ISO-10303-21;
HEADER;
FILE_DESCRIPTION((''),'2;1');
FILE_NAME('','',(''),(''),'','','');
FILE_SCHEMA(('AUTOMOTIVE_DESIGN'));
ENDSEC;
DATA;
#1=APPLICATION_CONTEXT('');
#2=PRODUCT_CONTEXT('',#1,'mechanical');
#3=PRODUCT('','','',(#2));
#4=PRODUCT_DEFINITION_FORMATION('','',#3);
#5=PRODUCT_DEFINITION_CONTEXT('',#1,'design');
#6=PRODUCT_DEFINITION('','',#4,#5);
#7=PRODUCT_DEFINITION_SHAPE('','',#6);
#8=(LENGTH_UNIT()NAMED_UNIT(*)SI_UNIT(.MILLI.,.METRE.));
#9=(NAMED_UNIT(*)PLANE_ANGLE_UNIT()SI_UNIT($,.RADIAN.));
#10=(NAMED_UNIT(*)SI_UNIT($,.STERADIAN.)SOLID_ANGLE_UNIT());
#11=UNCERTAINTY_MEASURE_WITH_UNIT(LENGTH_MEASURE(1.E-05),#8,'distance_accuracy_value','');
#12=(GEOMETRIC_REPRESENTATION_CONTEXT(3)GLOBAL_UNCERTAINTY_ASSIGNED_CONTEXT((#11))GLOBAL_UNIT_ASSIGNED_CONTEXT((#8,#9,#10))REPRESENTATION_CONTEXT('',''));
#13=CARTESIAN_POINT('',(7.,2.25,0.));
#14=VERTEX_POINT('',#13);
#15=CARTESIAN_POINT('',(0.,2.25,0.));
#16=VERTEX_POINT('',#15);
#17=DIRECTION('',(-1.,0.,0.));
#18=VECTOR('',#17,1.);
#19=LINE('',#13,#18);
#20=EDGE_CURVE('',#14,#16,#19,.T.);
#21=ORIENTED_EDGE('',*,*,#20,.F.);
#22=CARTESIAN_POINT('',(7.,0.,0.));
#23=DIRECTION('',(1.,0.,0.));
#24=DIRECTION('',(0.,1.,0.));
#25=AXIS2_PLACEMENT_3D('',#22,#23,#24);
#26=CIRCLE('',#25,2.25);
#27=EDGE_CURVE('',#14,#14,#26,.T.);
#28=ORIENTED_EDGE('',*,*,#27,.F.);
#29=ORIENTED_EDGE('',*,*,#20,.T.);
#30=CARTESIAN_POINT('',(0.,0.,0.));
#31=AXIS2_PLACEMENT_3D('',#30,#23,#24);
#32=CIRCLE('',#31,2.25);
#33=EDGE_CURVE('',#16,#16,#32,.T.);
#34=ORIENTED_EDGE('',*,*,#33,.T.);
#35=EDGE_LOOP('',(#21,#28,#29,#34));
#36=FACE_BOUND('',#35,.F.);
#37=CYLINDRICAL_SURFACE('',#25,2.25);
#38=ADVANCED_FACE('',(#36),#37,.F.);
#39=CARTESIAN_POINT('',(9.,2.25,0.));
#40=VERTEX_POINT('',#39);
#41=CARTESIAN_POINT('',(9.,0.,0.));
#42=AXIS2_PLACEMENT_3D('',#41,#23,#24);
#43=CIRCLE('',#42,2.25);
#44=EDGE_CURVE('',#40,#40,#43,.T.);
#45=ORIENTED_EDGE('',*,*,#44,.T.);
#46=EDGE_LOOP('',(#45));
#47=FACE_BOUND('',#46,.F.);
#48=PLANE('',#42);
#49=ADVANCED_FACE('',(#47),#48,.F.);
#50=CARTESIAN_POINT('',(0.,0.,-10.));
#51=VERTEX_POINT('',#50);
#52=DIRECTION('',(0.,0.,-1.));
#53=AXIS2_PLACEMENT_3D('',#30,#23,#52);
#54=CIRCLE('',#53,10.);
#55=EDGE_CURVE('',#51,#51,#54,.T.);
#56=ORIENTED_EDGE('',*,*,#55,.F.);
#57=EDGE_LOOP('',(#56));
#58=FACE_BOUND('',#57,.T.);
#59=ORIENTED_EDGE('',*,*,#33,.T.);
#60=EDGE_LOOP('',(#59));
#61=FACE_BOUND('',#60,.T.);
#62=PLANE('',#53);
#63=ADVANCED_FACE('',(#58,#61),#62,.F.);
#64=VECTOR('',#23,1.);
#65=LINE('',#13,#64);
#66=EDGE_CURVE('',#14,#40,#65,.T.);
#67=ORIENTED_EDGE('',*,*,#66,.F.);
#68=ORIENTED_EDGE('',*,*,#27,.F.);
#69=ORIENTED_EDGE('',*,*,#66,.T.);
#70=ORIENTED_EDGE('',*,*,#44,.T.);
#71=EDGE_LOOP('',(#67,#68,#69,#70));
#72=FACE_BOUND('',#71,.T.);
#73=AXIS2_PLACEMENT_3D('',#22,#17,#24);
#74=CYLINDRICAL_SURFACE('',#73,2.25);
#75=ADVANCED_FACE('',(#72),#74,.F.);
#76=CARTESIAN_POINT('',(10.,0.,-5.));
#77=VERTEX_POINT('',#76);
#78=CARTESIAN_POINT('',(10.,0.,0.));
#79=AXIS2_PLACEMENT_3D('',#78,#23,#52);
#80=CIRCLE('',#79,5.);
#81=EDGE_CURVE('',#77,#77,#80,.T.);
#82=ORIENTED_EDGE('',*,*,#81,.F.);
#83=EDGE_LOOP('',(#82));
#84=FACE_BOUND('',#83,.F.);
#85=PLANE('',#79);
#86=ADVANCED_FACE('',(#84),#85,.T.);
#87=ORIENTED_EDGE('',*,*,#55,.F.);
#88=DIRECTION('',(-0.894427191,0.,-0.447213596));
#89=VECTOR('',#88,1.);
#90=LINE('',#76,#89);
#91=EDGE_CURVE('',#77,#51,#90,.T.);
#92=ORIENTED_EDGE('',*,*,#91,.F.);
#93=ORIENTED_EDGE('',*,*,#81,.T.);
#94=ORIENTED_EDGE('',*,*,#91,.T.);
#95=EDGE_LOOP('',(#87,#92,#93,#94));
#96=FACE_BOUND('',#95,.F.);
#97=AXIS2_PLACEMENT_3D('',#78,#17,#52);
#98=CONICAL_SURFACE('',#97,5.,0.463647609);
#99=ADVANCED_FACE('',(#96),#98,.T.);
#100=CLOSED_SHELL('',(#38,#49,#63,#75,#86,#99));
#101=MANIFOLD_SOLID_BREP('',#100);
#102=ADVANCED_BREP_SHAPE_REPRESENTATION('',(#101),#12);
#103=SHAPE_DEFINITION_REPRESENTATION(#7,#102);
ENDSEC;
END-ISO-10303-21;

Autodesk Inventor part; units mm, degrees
ref_plane "XZ Plane" through (0, 0, 0) normal (0, 1, 0) x (-1, 0, 0)
ref_plane "XY Plane" through (0, 0, 0) normal (0, 0, 1) x (1, 0, 0)
ref_plane "Work Plane1" through (7, 0, 0) normal (1, 0, 0) x (0, 1, 0)
sketch "Sketch1" plane through (0, 0, 0) normal (0, 1, 0) x (-1, 0, 0)
  line L0 (0, 0) -> (-10, 0)
  line L1 (0, 0) -> (0, -10)
  line L2 (-10, 0) -> (-10, -5)
  line L3 (-10, -5) -> (0, -10)
  dimension "d0" = 10
  dimension "d1" = 10
  dimension "d2" = 5
revolve "Revolution1" add sketch "Sketch1" angle 360 about axis through (0, 0, 0) along (1, 0, 0)
sketch "Sketch2" plane through (7, 0, 0) normal (1, 0, 0) x (0, 1, 0)
  circle A0 centre (0, 0) radius 2.25
  dimension "d5" = 4.5
extrude "Extrusion1" cut sketch "Sketch2" along normal blind 2 and the other way blind 10
sketch "Sketch5" plane through (9, 0, 0) normal (-1, 0, 0) x (0, 0, 1)
  circle A0 centre (0, 0) radius 2.25 projected
extrude "Extrusion3" [suppressed]
properties part number "stollen_m4_closed"
